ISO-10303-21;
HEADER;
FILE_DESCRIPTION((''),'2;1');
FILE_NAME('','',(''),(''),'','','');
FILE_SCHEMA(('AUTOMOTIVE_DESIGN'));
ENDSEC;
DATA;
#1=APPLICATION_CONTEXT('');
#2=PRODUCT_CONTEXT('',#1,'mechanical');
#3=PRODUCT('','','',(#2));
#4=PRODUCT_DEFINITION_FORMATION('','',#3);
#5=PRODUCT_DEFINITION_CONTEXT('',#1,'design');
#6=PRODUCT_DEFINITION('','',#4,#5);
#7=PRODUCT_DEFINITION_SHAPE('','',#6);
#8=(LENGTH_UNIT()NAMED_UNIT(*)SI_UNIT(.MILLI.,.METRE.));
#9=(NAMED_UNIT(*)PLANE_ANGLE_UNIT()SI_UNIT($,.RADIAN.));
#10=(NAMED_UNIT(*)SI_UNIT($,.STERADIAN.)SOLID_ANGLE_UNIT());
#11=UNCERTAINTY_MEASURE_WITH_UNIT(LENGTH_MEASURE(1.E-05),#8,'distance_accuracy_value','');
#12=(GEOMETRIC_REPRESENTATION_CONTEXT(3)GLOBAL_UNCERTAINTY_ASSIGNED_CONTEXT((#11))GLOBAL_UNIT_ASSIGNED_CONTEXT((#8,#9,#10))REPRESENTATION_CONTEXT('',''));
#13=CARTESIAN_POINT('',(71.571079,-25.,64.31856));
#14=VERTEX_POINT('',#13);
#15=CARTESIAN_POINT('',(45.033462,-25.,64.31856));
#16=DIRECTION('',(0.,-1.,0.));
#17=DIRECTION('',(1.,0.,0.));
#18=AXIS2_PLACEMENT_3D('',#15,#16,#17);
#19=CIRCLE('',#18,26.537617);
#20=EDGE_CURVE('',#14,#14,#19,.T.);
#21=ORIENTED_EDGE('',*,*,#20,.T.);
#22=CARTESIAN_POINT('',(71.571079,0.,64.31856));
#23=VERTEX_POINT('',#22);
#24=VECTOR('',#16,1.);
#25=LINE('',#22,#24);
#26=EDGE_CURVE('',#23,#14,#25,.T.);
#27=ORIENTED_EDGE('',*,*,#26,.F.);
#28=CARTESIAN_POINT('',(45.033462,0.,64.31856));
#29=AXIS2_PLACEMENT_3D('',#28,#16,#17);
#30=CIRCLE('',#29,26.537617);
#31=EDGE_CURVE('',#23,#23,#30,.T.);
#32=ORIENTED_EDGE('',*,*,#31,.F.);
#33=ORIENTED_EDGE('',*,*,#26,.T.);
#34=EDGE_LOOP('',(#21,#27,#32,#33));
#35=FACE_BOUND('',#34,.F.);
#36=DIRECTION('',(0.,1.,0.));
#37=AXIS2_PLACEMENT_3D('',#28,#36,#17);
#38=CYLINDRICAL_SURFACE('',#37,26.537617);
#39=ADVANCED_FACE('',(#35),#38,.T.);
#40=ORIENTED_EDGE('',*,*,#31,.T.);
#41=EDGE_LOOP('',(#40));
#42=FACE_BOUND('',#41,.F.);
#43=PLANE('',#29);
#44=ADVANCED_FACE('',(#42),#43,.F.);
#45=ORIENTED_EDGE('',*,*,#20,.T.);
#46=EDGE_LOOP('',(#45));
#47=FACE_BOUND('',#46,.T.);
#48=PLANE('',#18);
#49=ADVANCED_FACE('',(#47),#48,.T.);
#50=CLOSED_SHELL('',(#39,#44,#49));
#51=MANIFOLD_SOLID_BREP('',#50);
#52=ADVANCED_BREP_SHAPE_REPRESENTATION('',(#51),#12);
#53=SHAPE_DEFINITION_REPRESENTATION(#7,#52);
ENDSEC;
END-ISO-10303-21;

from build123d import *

# Parameters (mm, degrees)
F0_W     = 66.3625448942
F0_H     = 52.2382929921
F1_DEPTH = 25
F0_R     = 26.537616526


with BuildPart() as f1:
    # F0 (on Front) → F1 (new body)
    with BuildSketch(Plane.XZ):
        with Locations((-103.3144816756, 26.1191464961)):
            Rectangle(F0_W, F0_H)
    extrude(amount=F1_DEPTH)


with BuildPart() as f1b:
    # F0 (on Front) → F1, piece 2 (new body)
    with BuildSketch(Plane.XZ):
        with Locations((45.0334623456, 64.3185600638)):
            Circle(F0_R)
    extrude(amount=F1_DEPTH)


solid = f1b.part
